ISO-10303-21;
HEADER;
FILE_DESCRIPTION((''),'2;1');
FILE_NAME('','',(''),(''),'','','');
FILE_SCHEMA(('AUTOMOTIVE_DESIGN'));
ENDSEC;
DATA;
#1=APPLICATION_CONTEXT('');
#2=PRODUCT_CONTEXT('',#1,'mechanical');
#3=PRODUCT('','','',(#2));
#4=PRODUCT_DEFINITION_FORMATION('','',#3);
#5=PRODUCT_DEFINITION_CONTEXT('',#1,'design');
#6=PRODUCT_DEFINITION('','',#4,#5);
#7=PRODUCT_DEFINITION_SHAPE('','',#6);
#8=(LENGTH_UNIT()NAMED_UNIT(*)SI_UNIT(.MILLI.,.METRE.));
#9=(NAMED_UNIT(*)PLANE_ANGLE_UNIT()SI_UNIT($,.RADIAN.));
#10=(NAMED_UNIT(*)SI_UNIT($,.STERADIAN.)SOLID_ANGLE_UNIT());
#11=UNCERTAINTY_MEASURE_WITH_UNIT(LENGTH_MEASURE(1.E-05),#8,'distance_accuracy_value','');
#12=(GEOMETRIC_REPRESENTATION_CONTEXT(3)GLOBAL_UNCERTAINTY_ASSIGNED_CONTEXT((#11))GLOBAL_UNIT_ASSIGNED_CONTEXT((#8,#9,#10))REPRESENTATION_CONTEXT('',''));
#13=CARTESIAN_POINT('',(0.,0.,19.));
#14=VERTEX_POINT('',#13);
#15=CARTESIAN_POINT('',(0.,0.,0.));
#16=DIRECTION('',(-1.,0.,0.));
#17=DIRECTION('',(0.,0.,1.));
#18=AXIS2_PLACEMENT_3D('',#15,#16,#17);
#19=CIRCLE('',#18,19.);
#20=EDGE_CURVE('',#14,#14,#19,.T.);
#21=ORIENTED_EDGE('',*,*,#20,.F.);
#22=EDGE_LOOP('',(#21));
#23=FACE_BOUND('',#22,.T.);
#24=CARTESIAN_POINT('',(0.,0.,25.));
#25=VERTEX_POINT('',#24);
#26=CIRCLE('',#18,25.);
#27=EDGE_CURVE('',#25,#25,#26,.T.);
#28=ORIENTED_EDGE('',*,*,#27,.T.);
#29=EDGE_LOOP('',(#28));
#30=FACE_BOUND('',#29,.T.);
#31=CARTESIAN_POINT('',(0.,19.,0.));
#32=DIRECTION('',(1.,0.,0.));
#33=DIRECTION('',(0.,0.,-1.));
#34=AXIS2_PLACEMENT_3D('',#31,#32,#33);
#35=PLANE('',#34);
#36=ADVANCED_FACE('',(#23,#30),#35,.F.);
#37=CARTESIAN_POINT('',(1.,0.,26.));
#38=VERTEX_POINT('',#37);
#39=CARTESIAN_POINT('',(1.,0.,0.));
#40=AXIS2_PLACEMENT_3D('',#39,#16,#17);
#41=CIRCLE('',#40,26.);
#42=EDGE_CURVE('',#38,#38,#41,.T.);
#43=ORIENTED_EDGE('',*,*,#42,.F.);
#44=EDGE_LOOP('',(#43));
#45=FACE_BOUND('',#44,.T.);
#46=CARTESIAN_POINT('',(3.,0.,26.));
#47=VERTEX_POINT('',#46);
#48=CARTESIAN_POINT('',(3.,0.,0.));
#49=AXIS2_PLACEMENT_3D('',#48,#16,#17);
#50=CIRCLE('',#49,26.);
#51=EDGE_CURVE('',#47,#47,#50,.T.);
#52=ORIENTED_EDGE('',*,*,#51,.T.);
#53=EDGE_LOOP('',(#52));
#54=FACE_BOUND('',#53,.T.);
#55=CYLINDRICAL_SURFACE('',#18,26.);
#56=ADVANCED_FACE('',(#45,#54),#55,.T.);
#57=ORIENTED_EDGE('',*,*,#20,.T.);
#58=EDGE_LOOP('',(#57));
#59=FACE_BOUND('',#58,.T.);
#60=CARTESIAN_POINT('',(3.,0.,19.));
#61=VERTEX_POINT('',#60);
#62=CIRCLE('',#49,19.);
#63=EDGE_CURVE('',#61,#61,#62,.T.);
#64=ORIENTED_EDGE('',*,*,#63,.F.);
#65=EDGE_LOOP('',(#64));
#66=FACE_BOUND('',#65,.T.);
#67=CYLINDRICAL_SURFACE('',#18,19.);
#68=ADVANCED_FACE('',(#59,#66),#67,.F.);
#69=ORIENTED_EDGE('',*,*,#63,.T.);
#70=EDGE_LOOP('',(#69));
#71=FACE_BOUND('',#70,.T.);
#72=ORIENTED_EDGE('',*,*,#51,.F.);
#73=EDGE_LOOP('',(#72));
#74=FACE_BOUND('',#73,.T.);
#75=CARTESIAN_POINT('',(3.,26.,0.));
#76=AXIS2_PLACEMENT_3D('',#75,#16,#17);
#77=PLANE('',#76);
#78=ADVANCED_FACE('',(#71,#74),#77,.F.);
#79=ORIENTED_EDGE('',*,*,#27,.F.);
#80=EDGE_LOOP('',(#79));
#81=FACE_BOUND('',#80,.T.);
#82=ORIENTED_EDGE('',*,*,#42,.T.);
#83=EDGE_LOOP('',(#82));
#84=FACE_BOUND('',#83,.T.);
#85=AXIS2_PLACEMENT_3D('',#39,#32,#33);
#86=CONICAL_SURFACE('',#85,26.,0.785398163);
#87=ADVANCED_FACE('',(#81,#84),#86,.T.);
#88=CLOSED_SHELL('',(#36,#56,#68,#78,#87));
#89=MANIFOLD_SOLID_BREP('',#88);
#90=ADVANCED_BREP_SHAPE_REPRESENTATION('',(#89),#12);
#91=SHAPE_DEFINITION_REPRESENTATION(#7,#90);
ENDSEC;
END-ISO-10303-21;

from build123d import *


with BuildPart() as part:
    # Эскиз1 → Повернуть1 (revolve)
    with BuildSketch(Plane.XY, mode=Mode.PRIVATE) as revolve_1_sk:
        Polygon((0, 19), (0, 25), (1, 26), (3, 26), (3, 19), align=None)
    revolve(revolve_1_sk.sketch.rotate(Axis((0, 0, 0), (1, 0, 0)), 90), axis=Axis((0, 0, 0), (1, 0, 0)))


solid = part.part
